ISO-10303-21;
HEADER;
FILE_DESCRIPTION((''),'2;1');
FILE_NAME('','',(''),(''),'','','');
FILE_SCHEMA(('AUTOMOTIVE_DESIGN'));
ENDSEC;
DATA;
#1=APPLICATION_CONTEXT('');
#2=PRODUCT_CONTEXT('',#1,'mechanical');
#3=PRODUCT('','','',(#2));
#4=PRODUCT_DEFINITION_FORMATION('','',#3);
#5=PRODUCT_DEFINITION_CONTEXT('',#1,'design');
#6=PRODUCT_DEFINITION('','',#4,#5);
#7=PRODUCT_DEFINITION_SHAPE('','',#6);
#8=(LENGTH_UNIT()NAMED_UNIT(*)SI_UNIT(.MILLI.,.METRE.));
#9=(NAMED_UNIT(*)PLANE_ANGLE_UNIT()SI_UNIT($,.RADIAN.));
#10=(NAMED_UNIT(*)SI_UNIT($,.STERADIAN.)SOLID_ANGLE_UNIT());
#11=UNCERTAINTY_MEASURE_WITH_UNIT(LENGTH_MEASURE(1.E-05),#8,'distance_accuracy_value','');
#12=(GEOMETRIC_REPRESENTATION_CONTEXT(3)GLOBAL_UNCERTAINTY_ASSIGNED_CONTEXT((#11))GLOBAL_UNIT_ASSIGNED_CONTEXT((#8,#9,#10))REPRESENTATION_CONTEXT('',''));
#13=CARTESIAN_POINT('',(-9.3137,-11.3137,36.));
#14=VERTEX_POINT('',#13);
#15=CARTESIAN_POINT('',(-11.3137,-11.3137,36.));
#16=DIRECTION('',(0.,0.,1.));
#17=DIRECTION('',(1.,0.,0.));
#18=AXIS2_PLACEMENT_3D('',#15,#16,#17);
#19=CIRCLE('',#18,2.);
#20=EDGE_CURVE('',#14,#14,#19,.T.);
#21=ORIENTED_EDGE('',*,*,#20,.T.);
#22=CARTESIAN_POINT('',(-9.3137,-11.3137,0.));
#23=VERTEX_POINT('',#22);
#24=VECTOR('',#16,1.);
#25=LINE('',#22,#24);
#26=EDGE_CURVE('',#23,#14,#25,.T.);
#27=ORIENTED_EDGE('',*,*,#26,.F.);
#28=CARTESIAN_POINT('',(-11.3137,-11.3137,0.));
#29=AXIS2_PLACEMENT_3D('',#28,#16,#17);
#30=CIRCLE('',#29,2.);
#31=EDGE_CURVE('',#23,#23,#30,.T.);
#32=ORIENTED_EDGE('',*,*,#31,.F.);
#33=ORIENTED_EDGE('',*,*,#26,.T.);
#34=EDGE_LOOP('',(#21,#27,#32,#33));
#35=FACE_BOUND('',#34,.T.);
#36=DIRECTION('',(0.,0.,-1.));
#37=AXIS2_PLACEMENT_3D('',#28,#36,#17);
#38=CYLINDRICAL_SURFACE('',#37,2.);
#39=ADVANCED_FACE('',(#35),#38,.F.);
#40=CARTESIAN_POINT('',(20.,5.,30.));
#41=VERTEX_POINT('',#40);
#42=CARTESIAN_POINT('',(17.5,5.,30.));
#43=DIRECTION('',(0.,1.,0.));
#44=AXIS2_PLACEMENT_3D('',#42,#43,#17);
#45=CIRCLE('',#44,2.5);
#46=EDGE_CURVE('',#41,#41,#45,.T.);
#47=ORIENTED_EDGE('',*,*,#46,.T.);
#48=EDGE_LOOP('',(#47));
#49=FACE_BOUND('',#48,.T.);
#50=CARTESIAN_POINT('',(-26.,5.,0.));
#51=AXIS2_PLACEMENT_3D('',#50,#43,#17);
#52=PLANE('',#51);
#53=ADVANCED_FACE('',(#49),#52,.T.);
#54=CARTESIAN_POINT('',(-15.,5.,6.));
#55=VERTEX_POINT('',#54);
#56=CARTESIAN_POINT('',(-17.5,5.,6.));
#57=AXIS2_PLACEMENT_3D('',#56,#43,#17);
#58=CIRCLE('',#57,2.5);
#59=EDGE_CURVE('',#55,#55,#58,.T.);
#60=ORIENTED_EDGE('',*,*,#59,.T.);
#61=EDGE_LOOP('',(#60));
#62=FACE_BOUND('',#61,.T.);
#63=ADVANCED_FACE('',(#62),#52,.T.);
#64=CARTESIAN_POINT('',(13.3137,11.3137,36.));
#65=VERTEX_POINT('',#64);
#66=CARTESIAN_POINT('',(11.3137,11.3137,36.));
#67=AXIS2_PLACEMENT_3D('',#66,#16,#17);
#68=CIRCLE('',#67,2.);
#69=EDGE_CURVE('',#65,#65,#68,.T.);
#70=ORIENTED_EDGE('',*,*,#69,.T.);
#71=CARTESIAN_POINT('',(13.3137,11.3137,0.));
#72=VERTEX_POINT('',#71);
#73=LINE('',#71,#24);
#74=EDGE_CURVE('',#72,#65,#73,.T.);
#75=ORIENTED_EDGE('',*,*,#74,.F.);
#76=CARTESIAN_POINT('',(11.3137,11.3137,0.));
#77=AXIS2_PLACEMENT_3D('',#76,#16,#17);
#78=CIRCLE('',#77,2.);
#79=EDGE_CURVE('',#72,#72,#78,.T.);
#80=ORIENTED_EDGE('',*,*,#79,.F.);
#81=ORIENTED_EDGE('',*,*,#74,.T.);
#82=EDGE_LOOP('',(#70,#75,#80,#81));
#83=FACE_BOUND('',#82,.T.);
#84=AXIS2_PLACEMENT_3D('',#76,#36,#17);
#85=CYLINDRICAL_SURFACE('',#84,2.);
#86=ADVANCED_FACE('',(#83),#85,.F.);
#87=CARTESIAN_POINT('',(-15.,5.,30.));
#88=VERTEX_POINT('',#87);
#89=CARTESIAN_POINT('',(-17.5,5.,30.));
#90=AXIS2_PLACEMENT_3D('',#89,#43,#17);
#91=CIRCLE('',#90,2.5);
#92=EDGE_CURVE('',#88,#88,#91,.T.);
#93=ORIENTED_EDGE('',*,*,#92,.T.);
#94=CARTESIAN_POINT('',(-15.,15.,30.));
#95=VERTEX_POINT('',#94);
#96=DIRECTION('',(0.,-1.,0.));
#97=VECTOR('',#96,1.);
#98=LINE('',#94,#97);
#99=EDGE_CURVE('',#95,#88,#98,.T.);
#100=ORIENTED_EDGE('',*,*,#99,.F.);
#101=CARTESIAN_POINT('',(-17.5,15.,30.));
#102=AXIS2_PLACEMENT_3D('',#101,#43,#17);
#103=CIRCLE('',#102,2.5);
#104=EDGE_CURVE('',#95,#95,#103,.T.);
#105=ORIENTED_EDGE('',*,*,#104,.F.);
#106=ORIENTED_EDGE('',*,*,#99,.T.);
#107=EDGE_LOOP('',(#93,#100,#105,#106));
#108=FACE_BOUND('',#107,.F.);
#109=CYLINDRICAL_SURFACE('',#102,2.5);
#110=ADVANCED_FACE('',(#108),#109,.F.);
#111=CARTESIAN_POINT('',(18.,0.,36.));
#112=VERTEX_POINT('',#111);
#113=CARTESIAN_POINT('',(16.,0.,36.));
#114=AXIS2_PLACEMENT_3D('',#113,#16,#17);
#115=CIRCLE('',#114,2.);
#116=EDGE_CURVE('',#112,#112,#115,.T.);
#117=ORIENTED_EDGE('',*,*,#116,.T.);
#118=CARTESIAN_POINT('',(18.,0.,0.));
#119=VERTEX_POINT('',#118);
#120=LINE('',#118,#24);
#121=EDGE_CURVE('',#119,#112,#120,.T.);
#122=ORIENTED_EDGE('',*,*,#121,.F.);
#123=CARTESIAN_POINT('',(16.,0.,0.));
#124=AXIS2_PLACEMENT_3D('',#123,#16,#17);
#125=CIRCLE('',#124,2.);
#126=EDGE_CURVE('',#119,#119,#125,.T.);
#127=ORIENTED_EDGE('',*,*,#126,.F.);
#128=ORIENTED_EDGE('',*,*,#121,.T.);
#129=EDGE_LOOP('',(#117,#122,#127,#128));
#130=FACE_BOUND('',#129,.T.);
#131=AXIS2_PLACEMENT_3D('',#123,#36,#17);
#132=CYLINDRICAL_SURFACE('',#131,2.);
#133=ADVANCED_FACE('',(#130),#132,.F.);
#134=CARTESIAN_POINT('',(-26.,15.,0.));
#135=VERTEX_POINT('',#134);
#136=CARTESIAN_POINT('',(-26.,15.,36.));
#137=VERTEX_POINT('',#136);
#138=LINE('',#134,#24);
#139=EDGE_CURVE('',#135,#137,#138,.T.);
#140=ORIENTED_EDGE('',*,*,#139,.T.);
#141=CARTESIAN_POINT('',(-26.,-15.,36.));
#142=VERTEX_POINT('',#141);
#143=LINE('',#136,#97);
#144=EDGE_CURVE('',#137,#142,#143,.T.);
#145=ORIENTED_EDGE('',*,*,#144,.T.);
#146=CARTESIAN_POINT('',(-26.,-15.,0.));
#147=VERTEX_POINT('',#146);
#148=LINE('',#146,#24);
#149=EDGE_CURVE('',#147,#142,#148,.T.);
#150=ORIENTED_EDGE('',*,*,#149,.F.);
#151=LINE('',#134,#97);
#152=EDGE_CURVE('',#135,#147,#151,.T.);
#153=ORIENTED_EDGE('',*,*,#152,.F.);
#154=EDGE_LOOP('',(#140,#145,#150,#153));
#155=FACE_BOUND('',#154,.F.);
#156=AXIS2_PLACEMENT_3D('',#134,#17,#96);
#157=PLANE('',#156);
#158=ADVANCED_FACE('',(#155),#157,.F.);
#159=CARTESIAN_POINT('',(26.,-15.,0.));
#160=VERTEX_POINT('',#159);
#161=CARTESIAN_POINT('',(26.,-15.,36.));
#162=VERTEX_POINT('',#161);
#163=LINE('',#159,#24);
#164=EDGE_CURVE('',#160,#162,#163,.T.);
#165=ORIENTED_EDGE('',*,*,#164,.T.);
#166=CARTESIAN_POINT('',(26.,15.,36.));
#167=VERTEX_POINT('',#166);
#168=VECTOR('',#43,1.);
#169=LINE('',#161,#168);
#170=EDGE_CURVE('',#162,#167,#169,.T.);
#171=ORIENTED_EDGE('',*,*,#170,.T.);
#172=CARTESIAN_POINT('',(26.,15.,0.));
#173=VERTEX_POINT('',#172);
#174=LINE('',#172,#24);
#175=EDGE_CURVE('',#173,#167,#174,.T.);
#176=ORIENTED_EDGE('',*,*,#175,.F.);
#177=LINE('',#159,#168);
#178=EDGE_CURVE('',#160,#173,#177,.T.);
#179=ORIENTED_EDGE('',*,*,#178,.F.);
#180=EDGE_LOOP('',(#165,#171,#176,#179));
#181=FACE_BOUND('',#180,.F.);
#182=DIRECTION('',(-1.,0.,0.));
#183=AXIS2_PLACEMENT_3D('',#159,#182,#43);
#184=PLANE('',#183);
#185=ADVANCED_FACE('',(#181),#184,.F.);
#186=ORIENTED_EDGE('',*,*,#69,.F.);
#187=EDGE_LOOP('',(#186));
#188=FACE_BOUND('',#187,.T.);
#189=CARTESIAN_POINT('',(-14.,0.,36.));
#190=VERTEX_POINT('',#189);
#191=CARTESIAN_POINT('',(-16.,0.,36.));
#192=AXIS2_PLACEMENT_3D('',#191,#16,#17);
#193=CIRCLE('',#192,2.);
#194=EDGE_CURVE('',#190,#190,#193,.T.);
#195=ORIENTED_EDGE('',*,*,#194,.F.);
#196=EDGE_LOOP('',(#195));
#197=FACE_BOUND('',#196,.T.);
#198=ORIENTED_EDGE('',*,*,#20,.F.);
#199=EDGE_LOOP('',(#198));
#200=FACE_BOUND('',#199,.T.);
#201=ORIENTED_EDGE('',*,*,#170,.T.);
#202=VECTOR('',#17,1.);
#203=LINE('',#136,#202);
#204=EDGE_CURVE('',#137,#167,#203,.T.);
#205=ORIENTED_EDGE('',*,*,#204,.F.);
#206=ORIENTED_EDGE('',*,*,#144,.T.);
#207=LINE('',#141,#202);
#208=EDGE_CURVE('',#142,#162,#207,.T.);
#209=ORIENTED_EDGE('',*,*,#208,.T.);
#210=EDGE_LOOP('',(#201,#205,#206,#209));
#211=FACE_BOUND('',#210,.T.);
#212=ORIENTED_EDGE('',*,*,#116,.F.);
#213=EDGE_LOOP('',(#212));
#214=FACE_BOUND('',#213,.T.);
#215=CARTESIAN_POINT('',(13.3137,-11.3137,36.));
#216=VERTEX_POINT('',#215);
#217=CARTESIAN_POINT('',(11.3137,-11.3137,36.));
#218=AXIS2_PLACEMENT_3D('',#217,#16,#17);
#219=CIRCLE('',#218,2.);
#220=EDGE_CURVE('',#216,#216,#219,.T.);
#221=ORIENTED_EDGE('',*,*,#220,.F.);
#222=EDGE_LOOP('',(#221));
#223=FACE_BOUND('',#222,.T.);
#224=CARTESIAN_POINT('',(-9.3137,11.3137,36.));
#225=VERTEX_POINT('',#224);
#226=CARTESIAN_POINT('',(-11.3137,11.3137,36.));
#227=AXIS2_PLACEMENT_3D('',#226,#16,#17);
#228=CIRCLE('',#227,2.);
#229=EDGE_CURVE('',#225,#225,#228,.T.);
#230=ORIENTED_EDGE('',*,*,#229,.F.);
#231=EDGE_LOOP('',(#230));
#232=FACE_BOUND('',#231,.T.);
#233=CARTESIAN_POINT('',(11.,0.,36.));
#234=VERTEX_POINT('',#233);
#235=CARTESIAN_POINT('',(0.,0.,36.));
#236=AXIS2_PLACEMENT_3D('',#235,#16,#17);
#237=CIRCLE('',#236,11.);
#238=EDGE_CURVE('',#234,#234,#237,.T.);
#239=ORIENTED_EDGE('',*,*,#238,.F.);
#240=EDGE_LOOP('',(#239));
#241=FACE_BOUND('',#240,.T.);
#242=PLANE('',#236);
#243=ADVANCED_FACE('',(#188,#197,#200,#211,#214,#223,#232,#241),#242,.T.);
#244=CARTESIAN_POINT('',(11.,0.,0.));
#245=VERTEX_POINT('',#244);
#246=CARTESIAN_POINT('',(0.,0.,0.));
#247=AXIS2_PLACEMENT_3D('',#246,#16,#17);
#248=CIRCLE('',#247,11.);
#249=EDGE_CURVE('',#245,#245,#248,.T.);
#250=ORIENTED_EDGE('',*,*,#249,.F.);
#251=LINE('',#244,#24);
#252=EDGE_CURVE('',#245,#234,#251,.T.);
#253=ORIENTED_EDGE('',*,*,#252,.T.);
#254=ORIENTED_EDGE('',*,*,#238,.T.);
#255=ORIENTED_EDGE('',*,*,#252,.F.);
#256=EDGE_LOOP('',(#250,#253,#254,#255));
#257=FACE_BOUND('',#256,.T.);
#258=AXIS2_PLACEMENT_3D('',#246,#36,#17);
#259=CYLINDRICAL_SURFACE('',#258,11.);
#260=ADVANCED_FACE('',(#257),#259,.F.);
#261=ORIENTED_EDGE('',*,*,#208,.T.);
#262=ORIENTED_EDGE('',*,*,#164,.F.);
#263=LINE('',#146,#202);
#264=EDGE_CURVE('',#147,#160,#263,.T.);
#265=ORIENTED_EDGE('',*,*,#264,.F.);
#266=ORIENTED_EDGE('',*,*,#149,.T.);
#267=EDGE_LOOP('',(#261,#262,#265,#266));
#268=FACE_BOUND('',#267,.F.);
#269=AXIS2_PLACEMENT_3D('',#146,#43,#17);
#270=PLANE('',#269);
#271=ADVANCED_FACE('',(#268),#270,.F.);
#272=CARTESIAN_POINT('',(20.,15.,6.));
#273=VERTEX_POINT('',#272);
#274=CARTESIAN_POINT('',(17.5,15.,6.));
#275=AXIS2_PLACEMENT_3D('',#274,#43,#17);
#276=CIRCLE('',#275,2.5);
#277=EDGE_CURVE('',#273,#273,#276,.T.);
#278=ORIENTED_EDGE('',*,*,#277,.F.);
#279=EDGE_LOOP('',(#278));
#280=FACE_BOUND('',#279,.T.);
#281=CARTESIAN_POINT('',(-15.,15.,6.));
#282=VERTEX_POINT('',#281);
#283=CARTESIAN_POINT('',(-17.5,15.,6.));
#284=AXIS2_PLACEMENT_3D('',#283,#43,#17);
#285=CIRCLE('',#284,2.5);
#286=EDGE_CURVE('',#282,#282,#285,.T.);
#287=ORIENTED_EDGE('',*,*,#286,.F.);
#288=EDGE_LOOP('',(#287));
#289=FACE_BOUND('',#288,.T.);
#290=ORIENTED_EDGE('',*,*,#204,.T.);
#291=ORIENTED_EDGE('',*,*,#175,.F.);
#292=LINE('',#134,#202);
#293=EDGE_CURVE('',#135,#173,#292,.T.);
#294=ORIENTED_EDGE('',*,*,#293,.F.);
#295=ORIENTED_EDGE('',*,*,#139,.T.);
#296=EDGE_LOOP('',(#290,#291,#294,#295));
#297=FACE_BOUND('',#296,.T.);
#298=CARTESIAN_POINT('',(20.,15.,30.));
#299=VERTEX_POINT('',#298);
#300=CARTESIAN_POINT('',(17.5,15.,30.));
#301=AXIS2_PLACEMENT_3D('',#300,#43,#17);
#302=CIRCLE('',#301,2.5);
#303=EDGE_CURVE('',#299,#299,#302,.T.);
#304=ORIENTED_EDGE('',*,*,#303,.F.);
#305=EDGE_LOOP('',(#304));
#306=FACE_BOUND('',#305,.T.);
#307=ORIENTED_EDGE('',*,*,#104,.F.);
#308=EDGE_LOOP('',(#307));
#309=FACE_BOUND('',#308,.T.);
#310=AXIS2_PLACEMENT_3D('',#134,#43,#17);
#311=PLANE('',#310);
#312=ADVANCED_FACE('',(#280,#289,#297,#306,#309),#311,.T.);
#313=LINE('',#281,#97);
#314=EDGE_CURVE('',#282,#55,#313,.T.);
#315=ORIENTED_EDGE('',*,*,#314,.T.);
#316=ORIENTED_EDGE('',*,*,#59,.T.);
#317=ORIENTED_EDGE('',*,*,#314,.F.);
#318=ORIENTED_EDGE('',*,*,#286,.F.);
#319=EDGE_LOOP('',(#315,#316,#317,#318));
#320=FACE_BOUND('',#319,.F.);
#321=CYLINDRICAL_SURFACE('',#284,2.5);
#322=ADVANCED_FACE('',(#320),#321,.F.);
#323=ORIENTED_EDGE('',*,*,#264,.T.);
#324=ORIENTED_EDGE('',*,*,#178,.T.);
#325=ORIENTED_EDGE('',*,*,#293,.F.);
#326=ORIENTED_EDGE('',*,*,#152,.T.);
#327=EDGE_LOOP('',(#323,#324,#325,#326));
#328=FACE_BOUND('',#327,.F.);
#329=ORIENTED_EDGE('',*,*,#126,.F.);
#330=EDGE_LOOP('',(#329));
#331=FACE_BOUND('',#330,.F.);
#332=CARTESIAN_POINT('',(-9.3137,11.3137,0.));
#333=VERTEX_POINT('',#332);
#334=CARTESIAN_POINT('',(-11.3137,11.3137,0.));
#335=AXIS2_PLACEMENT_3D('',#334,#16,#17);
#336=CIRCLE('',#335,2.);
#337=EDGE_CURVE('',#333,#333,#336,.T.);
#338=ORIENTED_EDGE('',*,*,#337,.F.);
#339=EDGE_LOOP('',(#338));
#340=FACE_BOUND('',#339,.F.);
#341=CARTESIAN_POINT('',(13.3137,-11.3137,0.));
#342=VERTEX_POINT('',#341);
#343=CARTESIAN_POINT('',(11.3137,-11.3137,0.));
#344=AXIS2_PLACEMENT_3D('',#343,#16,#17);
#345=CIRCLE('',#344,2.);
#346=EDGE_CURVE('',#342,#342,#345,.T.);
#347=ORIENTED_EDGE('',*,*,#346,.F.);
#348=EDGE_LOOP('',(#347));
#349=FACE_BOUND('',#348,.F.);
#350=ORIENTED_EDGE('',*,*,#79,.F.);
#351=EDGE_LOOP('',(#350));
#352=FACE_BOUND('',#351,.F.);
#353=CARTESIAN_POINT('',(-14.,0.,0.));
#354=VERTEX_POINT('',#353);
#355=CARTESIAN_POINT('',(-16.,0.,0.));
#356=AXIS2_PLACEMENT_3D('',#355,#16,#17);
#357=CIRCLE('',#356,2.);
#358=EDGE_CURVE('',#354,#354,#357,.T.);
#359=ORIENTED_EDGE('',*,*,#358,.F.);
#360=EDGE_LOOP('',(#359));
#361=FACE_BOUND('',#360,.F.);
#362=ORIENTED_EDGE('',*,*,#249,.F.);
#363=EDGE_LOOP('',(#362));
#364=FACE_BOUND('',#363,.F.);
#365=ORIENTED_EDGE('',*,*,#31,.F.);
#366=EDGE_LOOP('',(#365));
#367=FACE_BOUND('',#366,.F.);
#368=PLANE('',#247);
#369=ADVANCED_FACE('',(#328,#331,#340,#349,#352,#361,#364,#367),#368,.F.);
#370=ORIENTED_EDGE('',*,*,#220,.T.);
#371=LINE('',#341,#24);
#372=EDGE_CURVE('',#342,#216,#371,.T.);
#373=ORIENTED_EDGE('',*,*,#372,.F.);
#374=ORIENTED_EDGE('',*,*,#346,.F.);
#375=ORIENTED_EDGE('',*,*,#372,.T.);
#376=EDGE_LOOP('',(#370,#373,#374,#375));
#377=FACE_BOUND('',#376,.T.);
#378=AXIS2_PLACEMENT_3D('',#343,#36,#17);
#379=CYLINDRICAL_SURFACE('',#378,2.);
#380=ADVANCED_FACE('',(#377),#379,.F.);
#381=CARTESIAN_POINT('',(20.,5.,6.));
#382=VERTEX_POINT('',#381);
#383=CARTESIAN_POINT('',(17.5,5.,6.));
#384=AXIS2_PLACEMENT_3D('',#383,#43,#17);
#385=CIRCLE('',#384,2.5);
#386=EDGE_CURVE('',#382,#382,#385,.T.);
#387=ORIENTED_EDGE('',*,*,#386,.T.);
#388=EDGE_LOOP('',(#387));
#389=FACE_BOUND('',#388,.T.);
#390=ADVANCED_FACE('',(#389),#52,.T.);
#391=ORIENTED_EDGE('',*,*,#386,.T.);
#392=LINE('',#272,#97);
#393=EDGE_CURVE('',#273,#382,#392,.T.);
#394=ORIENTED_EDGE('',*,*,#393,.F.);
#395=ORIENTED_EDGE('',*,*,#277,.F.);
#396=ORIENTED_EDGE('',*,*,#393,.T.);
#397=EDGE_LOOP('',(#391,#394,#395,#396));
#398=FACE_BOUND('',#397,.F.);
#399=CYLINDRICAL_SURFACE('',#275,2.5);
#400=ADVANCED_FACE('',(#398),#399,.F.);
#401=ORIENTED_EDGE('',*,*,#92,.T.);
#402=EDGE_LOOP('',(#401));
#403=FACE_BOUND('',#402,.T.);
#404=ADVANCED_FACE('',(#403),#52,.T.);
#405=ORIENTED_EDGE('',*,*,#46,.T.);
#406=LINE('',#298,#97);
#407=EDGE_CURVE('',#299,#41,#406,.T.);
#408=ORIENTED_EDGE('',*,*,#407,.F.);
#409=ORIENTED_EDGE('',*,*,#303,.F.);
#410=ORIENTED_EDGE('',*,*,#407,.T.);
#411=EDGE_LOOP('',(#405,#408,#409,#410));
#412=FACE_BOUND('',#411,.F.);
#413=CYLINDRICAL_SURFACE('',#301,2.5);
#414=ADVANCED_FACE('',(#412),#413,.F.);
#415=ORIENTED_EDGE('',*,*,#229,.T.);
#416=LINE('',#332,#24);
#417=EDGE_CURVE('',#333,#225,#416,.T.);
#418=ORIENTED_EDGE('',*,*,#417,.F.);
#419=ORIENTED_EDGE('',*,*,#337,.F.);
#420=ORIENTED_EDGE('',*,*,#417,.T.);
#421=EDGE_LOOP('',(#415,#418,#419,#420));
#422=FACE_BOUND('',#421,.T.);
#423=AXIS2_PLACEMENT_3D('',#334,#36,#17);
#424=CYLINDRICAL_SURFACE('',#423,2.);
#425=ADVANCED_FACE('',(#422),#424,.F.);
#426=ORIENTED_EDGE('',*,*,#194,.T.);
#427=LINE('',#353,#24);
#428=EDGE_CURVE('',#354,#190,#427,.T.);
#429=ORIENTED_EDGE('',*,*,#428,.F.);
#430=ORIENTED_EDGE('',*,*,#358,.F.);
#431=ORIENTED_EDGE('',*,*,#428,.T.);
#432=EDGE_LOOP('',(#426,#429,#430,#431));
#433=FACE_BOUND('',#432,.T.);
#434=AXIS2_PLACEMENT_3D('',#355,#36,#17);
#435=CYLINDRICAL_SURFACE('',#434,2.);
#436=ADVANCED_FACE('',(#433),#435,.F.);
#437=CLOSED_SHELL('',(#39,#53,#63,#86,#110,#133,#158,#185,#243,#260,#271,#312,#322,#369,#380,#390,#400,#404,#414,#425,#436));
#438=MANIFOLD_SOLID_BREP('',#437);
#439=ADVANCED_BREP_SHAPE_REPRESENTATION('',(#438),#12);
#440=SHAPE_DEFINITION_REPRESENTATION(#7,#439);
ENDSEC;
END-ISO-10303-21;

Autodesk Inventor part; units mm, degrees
ref_plane "YZ Plane" through (0, 0, 0) normal (1, 0, 0) x (0, 1, 0)
ref_plane "XZ Plane" through (0, 0, 0) normal (0, 1, 0) x (-1, 0, 0)
ref_plane "XY Plane" through (0, 0, 0) normal (0, 0, 1) x (1, 0, 0)
sketch "Sketch1" plane through (0, 0, 0) normal (0, 0, 1) x (1, 0, 0)
  circle A0 centre (0, 0) radius 11
  line L0 (-26, -15) -> (26, -15)
  line L1 (26, -15) -> (26, 15)
  line L2 (-26, 15) -> (-26, -15)
  circle A1 centre (0, 0) radius 16 construction
  circle A2 centre (11.3137, 11.3137) radius 2
  circle A3 centre (-11.3137, -11.3137) radius 2
  circle A4 centre (11.3137, -11.3137) radius 2
  circle A5 centre (-11.3137, 11.3137) radius 2
  circle A6 centre (-16, 0) radius 2
  circle A7 centre (16, 0) radius 2
  line L3 (-11.3137, 11.3137) -> (0, 0) construction
  line L4 (0, 0) -> (-16, 0) construction
  line L5 (-26, 15) -> (26, 15)
  point P0 (0, -15)
  dimension "d0" = 22
  dimension "d2" = 52
  dimension "d3" = 32
  dimension "d4" = 4
  dimension "d5" = 45
  dimension "d6" = 15
  dimension "d16" = 30
extrude "Extrusion1" add sketch "Sketch1" along normal blind 36
sketch "Sketch3" plane through (-26, 15, 0) normal (0, 1, 0) x (1, 0, 0)
  circle A0 centre (8.5, -6) radius 2.5
  circle A1 centre (43.5, -6) radius 2.5
  circle A2 centre (43.5, -30) radius 2.5
  circle A3 centre (8.5, -30) radius 2.5
  line L0 (8.5, -6) -> (43.5, -6) construction
  line L1 (43.5, -6) -> (43.5, -30) construction
  line L2 (43.5, -30) -> (8.5, -30) construction
  line L3 (8.5, -30) -> (8.5, -6) construction
  line L4 (52, 0) -> (0, 0) construction
  line L5 (52, 0) -> (52, -36) construction
  point P0 (26, 0)
  point P1 (26, -6)
  point P2 (26, 0)
  point P3 (43.5, -18)
  point P4 (52, -18)
  dimension "d17" = 5
  dimension "d18" = 35
  dimension "d19" = 24
extrude "Extrusion3" cut sketch "Sketch3" against normal blind 10
properties part number "DSG16H"
